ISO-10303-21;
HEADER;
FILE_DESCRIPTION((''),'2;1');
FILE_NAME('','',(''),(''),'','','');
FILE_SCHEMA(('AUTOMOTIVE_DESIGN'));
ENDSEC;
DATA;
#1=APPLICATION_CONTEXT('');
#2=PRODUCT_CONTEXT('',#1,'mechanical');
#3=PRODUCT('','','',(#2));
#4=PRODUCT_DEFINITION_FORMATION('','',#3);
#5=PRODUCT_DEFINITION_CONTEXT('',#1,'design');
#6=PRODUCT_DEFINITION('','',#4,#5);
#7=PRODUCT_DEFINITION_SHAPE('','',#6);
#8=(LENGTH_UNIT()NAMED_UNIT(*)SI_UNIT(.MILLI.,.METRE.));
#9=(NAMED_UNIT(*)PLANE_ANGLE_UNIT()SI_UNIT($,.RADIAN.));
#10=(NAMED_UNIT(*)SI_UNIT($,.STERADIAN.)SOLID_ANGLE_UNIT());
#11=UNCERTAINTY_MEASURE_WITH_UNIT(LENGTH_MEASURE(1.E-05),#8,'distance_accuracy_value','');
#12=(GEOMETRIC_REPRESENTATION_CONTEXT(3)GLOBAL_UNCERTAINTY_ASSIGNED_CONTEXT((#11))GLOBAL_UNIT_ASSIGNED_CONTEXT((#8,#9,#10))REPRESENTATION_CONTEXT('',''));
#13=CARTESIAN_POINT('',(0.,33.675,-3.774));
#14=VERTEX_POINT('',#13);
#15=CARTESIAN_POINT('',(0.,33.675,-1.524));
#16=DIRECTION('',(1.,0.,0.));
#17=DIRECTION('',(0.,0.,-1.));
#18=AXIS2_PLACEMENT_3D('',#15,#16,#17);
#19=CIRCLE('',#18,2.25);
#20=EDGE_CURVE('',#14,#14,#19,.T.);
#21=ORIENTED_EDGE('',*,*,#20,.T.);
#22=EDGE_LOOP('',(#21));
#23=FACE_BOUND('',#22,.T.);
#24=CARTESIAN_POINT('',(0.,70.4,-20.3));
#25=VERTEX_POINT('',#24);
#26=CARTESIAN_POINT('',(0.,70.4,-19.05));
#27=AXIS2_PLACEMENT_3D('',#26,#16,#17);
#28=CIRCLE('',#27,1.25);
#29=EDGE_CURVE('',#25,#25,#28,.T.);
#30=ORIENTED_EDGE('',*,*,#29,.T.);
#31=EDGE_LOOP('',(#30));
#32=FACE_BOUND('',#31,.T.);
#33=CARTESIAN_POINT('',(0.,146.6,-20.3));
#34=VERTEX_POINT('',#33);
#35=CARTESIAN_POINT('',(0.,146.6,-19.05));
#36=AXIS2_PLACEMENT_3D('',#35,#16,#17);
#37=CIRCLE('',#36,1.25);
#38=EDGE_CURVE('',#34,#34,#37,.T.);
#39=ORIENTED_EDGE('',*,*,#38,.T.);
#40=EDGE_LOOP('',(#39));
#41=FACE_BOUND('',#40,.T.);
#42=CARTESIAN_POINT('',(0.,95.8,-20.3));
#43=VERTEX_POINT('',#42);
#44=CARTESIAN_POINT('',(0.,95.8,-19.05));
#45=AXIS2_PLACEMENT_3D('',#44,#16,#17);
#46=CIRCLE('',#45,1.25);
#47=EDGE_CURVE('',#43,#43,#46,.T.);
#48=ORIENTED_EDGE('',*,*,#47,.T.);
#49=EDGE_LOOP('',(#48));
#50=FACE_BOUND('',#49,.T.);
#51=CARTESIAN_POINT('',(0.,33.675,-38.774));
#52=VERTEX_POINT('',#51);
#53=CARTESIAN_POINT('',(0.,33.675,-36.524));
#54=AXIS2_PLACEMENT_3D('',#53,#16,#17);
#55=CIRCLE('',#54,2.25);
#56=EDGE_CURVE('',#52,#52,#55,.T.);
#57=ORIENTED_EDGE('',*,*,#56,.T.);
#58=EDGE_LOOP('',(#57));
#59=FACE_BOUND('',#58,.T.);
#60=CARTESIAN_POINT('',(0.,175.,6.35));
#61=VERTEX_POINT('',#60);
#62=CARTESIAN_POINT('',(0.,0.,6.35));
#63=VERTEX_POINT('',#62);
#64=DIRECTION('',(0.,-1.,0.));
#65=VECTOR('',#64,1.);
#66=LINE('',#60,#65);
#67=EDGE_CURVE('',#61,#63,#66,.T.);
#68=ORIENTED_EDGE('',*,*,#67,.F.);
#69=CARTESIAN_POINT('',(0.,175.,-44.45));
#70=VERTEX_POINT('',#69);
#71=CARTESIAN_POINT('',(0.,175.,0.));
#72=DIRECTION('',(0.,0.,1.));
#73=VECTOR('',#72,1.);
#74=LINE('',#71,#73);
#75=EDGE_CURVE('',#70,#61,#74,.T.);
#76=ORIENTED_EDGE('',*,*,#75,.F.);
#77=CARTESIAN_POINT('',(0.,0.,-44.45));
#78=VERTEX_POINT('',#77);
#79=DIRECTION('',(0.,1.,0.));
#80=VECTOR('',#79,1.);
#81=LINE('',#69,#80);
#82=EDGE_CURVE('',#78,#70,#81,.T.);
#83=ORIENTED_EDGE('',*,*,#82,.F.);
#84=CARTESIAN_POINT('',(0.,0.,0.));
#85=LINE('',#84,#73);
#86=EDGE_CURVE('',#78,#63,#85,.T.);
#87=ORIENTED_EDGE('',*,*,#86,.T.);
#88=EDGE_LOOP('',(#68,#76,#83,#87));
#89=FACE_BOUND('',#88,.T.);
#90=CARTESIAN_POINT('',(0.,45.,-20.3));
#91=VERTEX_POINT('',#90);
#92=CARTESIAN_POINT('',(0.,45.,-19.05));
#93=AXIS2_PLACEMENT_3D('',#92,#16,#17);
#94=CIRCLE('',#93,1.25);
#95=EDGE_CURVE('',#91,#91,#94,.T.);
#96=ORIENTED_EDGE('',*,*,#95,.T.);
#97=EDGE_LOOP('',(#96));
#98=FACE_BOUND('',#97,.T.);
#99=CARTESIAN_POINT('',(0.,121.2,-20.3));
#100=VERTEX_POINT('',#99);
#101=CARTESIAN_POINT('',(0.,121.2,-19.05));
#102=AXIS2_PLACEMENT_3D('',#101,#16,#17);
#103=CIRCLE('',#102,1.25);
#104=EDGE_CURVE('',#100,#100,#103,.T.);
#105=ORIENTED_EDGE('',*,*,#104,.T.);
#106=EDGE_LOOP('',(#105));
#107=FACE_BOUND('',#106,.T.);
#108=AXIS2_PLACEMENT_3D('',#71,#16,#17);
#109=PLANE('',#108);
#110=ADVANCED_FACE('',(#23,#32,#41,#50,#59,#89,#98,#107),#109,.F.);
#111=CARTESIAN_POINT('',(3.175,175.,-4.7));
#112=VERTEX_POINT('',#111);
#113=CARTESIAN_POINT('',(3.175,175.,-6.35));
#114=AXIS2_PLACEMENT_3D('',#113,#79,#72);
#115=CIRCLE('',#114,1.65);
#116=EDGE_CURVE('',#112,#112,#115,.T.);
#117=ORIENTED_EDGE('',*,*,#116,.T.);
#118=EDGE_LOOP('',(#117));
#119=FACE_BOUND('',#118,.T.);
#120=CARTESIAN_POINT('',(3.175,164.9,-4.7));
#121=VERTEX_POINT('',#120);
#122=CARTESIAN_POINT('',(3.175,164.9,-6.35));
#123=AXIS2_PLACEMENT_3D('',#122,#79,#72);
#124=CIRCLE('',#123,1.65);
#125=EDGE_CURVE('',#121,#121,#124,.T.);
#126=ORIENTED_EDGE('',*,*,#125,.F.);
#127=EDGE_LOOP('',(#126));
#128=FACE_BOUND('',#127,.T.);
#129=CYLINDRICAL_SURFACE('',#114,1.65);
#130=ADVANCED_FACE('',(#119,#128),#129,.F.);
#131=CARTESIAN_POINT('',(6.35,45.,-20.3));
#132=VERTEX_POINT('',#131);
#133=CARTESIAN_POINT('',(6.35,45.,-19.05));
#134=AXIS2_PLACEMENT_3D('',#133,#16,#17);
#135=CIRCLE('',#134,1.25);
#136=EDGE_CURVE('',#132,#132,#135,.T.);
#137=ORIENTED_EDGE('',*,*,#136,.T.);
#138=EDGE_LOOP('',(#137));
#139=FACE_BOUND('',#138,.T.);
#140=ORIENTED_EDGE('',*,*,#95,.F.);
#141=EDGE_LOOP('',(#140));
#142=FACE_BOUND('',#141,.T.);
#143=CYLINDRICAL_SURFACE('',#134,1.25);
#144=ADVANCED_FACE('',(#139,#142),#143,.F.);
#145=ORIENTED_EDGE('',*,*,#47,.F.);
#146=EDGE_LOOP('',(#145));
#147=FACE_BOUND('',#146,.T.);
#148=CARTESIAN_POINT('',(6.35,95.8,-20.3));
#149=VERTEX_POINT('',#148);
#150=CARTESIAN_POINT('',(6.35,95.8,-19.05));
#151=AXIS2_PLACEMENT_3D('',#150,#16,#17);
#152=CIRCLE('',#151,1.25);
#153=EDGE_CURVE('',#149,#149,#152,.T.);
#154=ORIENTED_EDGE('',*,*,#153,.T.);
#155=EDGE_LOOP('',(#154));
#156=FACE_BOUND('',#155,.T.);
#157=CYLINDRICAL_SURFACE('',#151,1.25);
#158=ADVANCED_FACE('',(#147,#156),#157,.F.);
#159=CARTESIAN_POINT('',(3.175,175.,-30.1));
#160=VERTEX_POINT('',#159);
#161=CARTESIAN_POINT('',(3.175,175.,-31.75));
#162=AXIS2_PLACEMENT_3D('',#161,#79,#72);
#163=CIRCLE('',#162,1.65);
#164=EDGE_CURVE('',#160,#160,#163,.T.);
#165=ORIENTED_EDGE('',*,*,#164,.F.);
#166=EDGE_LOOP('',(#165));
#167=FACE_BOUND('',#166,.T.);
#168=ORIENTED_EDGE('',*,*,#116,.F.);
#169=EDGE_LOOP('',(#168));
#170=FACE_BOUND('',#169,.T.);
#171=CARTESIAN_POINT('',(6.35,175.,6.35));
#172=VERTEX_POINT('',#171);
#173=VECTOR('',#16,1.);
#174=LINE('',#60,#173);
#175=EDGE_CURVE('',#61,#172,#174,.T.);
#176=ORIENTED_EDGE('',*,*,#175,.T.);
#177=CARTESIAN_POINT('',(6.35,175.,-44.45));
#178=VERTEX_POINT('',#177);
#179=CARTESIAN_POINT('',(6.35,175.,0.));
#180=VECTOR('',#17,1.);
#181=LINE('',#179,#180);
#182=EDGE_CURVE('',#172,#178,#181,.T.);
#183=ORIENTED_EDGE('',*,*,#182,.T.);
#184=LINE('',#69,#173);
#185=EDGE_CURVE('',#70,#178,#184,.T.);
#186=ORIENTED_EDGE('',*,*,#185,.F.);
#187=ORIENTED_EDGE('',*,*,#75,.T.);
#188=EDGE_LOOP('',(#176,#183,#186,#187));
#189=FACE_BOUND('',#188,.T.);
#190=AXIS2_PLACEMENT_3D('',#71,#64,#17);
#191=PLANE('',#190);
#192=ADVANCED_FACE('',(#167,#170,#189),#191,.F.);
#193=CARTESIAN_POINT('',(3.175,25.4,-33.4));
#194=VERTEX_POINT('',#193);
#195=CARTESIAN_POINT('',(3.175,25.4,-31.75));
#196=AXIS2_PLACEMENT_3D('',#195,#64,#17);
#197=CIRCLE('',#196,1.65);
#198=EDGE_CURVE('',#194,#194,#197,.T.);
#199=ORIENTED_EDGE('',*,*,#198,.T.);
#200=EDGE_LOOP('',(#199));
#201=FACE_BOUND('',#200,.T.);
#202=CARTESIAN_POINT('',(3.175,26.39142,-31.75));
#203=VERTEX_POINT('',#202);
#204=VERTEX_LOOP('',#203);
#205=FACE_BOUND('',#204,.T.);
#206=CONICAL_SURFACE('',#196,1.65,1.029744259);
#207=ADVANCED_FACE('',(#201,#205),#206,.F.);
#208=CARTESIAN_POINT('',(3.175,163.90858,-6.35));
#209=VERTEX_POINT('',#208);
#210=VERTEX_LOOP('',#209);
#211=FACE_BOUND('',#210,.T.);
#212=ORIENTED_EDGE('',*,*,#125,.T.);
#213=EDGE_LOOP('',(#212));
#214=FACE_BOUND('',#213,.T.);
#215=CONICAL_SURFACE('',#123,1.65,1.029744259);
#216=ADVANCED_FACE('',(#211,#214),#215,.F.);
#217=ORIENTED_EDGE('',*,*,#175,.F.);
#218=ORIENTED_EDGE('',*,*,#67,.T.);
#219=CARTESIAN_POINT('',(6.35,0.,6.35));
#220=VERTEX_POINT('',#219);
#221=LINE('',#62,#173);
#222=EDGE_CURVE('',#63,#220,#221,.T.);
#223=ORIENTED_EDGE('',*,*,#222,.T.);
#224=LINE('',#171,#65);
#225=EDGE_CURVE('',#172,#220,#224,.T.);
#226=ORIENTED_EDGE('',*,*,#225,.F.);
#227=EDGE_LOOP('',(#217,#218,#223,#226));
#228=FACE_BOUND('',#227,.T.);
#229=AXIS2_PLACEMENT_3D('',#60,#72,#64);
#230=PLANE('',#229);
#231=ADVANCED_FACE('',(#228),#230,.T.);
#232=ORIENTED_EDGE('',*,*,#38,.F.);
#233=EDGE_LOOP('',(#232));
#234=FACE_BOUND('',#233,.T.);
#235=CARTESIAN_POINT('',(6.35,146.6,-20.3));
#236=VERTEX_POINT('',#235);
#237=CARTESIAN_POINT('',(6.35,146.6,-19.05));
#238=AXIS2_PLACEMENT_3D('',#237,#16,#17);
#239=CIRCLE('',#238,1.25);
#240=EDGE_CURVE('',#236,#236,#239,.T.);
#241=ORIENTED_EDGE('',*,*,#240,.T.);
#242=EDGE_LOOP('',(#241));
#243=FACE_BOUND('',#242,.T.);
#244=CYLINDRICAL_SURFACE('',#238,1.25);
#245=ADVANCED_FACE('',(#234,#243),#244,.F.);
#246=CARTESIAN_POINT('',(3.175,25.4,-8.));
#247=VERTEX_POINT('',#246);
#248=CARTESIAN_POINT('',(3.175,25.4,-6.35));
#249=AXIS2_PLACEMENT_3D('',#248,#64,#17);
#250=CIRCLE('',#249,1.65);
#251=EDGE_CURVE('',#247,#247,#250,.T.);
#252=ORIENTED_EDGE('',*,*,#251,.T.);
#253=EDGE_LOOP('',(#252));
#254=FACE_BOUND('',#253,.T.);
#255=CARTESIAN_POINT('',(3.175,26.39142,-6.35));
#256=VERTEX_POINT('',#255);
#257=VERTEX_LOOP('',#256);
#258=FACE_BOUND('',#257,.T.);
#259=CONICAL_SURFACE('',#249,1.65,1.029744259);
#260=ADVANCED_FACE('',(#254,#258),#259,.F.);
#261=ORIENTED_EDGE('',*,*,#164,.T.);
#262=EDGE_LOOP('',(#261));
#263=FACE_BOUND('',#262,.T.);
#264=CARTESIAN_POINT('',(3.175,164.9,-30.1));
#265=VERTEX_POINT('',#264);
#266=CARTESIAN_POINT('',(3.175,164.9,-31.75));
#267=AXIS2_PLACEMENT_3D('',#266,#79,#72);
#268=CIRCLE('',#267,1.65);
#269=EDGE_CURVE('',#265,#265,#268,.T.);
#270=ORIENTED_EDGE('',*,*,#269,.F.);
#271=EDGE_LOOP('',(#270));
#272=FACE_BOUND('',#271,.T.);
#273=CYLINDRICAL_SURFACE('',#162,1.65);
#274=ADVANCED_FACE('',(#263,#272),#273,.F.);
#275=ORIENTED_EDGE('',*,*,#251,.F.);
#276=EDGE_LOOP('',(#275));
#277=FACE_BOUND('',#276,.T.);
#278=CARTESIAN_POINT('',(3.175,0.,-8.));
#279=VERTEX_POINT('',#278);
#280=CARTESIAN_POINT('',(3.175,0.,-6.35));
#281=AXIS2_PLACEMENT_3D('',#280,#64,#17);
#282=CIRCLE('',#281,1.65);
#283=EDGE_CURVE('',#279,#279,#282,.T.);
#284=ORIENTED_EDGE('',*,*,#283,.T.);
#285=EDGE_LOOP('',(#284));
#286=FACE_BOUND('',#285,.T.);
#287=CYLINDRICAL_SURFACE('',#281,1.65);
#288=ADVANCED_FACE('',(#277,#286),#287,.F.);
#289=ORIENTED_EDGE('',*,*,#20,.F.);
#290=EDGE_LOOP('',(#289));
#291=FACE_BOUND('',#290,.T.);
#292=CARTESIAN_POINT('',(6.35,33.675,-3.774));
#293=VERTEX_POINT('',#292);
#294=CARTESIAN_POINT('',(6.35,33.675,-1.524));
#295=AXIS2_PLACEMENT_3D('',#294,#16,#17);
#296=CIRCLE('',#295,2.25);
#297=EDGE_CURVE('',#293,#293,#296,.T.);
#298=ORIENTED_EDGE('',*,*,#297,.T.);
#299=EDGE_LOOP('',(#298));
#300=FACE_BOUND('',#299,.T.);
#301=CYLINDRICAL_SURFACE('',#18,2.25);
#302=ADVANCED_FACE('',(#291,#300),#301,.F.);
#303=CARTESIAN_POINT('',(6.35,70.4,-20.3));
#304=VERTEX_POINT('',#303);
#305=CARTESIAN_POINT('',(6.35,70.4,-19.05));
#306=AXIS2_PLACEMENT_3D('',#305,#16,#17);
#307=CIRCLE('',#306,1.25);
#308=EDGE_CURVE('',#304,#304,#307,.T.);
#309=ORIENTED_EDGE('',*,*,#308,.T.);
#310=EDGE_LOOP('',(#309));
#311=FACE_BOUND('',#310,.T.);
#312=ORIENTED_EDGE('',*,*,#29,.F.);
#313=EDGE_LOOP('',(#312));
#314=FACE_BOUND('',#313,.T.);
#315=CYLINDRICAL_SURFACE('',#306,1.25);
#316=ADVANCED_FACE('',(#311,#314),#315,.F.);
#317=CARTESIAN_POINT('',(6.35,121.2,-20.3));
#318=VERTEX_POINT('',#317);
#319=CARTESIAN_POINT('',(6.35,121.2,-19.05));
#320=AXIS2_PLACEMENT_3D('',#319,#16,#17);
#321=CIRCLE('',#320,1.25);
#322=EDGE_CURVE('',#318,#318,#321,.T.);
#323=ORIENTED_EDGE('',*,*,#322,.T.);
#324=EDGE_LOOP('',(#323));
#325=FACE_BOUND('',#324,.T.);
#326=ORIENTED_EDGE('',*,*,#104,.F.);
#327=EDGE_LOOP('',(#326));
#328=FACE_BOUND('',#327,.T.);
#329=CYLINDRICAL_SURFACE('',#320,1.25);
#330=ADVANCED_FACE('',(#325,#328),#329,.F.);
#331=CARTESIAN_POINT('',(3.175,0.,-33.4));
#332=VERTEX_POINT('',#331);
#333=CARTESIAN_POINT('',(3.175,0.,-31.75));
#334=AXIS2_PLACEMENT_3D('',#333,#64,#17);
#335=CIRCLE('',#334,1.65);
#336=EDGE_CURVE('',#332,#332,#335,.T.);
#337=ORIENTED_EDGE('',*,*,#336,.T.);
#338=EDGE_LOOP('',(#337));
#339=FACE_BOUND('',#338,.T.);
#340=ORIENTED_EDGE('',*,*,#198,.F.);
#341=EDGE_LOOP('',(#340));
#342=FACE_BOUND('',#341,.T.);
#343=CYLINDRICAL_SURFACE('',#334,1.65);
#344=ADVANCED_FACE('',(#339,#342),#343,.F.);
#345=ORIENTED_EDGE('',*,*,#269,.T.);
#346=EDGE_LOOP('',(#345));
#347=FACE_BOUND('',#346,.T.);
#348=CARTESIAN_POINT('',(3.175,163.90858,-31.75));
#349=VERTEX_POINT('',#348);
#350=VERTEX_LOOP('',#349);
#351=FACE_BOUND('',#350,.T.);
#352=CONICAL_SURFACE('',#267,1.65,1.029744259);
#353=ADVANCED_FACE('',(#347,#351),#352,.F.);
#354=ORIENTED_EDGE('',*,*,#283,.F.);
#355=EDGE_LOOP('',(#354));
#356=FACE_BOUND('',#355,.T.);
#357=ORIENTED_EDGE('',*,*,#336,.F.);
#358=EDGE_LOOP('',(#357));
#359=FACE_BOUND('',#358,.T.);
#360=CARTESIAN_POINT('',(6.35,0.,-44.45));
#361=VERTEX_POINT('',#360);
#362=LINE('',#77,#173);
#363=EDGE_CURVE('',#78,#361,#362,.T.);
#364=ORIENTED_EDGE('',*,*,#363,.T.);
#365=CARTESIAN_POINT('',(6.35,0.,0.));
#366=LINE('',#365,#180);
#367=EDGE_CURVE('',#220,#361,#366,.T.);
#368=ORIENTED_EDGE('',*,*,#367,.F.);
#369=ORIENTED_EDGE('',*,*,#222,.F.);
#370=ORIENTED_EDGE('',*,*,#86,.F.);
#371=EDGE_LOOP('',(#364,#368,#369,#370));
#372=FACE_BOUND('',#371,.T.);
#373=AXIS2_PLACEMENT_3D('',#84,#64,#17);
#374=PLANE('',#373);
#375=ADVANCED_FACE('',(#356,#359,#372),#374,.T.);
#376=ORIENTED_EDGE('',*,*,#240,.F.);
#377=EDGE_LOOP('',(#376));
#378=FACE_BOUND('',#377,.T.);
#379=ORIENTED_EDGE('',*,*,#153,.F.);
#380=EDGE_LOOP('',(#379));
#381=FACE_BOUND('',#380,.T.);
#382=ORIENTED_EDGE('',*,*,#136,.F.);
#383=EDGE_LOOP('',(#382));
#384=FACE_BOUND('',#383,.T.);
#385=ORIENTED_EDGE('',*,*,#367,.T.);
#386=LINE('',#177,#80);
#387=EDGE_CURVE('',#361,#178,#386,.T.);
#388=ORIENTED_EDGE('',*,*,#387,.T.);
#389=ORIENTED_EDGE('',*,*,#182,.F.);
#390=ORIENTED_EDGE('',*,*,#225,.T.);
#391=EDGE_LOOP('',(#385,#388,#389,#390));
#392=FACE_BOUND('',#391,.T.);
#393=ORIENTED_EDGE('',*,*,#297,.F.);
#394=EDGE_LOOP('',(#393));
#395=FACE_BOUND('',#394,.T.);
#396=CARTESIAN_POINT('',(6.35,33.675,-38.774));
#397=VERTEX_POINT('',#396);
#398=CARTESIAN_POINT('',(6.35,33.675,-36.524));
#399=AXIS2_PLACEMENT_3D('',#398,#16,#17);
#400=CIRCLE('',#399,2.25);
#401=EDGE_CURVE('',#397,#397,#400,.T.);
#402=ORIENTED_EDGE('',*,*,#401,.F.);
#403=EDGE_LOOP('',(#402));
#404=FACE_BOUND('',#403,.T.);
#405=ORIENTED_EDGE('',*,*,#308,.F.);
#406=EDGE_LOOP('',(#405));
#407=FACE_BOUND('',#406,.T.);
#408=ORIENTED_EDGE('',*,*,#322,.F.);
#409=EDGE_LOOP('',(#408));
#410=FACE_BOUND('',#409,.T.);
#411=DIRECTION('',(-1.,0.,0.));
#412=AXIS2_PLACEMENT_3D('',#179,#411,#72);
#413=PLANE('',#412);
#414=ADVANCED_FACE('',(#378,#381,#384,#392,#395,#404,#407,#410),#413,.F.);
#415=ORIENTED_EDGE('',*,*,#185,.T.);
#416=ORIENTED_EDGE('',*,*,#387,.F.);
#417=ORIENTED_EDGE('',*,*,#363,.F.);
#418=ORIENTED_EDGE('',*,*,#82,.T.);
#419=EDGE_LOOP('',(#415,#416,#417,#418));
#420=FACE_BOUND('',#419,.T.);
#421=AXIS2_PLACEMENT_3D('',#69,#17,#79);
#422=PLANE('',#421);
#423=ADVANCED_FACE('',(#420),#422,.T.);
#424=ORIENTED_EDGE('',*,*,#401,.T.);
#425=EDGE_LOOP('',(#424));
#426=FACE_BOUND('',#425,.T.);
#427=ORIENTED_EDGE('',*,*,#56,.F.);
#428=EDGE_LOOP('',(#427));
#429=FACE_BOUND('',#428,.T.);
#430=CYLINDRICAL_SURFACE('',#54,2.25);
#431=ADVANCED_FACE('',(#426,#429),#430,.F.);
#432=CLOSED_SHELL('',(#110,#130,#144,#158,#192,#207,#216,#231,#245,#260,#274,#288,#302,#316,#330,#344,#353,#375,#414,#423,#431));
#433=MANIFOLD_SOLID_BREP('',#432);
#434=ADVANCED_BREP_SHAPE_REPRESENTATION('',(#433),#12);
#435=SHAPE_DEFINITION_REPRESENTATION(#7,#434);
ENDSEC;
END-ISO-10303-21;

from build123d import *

# Parameters (mm, degrees)
SKETCH1_W                 = 6.35
SKETCH1_H                 = 38.1
BOSS_EXTRUDE1_DEPTH       = 175
M4X0_7_TAPPED_HOLE1_D     = 3.3
M4X0_7_TAPPED_HOLE1_DEPTH = 10.1
M4X0_7_TAPPED_HOLE1_TIP   = 0.991420021
M3X0_5_TAPPED_HOLE1_D     = 2.5
SKETCH9_W                 = 6.35
SKETCH9_H                 = 175
BOSS_EXTRUDE2_DEPTH       = 6.35
SKETCH8_R                 = 2.25
CUT_EXTRUDE1_DEPTH        = 181.668550113
M4X0_7_TAPPED_HOLE2_D     = 3.3
M4X0_7_TAPPED_HOLE2_DEPTH = 25.4
M4X0_7_TAPPED_HOLE2_TIP   = 0.991420021


with BuildPart() as part:
    # Sketch1 → Boss-Extrude1 (new body)
    with BuildSketch(Plane(origin=(0, 0, 0), x_dir=(1, 0, 0), z_dir=(0, 1, 0))):
        with Locations((3.175, 19.05)):
            Rectangle(SKETCH1_W, SKETCH1_H)
    extrude(amount=BOSS_EXTRUDE1_DEPTH)

    # M4x0.7 Tapped Hole1
    with Locations(Plane(origin=(0, 175, 0), x_dir=(1, 0, 0), z_dir=(0, 1, 0))):
        with Locations((3.175, 31.75), (3.175, 6.35)):
            Hole(M4X0_7_TAPPED_HOLE1_D / 2, depth=M4X0_7_TAPPED_HOLE1_DEPTH)
            with Locations((0, 0, -(M4X0_7_TAPPED_HOLE1_DEPTH + M4X0_7_TAPPED_HOLE1_TIP / 2))):  # 118° drill point
                Cone(0, M4X0_7_TAPPED_HOLE1_D / 2, M4X0_7_TAPPED_HOLE1_TIP, mode=Mode.SUBTRACT)

    # M3x0.5 Tapped Hole1 (through all)
    with Locations(Plane(origin=(6.35, 0, 0), x_dir=(0, 0, -1), z_dir=(1, 0, 0))):
        with Locations((19.05, 121.2), (19.05, 95.8), (19.05, 70.4), (19.05, 45), (19.05, 146.6)):
            Hole(M3X0_5_TAPPED_HOLE1_D / 2)

    # Sketch9 → Boss-Extrude2 (add)
    with BuildSketch(Plane(origin=(6.35, 0, 0), x_dir=(0, 0, -1), z_dir=(1, 0, 0))):
        with Locations((-3.175, 87.5)):
            Rectangle(SKETCH9_W, SKETCH9_H)
        with Locations((41.275, 87.5)):
            Rectangle(SKETCH9_W, SKETCH9_H)
    extrude(amount=-BOSS_EXTRUDE2_DEPTH)

    # Sketch8 → Cut-Extrude1 (cut, through all)
    with BuildSketch(Plane(origin=(6.35, 0, 0), x_dir=(0, 0, -1), z_dir=(1, 0, 0))):
        with Locations((36.524, 33.675)):
            Circle(SKETCH8_R)
        with Locations((1.524, 33.675)):
            Circle(SKETCH8_R)
    extrude(amount=-CUT_EXTRUDE1_DEPTH, mode=Mode.SUBTRACT)

    # M4x0.7 Tapped Hole2
    with Locations(Plane(origin=(0, 0, 0), x_dir=(-1, 0, 0), z_dir=(0, -1, 0))):
        with Locations((-3.175, 6.35), (-3.175, 31.75)):
            Hole(M4X0_7_TAPPED_HOLE2_D / 2, depth=M4X0_7_TAPPED_HOLE2_DEPTH)
            with Locations((0, 0, -(M4X0_7_TAPPED_HOLE2_DEPTH + M4X0_7_TAPPED_HOLE2_TIP / 2))):  # 118° drill point
                Cone(0, M4X0_7_TAPPED_HOLE2_D / 2, M4X0_7_TAPPED_HOLE2_TIP, mode=Mode.SUBTRACT)


solid = part.part
